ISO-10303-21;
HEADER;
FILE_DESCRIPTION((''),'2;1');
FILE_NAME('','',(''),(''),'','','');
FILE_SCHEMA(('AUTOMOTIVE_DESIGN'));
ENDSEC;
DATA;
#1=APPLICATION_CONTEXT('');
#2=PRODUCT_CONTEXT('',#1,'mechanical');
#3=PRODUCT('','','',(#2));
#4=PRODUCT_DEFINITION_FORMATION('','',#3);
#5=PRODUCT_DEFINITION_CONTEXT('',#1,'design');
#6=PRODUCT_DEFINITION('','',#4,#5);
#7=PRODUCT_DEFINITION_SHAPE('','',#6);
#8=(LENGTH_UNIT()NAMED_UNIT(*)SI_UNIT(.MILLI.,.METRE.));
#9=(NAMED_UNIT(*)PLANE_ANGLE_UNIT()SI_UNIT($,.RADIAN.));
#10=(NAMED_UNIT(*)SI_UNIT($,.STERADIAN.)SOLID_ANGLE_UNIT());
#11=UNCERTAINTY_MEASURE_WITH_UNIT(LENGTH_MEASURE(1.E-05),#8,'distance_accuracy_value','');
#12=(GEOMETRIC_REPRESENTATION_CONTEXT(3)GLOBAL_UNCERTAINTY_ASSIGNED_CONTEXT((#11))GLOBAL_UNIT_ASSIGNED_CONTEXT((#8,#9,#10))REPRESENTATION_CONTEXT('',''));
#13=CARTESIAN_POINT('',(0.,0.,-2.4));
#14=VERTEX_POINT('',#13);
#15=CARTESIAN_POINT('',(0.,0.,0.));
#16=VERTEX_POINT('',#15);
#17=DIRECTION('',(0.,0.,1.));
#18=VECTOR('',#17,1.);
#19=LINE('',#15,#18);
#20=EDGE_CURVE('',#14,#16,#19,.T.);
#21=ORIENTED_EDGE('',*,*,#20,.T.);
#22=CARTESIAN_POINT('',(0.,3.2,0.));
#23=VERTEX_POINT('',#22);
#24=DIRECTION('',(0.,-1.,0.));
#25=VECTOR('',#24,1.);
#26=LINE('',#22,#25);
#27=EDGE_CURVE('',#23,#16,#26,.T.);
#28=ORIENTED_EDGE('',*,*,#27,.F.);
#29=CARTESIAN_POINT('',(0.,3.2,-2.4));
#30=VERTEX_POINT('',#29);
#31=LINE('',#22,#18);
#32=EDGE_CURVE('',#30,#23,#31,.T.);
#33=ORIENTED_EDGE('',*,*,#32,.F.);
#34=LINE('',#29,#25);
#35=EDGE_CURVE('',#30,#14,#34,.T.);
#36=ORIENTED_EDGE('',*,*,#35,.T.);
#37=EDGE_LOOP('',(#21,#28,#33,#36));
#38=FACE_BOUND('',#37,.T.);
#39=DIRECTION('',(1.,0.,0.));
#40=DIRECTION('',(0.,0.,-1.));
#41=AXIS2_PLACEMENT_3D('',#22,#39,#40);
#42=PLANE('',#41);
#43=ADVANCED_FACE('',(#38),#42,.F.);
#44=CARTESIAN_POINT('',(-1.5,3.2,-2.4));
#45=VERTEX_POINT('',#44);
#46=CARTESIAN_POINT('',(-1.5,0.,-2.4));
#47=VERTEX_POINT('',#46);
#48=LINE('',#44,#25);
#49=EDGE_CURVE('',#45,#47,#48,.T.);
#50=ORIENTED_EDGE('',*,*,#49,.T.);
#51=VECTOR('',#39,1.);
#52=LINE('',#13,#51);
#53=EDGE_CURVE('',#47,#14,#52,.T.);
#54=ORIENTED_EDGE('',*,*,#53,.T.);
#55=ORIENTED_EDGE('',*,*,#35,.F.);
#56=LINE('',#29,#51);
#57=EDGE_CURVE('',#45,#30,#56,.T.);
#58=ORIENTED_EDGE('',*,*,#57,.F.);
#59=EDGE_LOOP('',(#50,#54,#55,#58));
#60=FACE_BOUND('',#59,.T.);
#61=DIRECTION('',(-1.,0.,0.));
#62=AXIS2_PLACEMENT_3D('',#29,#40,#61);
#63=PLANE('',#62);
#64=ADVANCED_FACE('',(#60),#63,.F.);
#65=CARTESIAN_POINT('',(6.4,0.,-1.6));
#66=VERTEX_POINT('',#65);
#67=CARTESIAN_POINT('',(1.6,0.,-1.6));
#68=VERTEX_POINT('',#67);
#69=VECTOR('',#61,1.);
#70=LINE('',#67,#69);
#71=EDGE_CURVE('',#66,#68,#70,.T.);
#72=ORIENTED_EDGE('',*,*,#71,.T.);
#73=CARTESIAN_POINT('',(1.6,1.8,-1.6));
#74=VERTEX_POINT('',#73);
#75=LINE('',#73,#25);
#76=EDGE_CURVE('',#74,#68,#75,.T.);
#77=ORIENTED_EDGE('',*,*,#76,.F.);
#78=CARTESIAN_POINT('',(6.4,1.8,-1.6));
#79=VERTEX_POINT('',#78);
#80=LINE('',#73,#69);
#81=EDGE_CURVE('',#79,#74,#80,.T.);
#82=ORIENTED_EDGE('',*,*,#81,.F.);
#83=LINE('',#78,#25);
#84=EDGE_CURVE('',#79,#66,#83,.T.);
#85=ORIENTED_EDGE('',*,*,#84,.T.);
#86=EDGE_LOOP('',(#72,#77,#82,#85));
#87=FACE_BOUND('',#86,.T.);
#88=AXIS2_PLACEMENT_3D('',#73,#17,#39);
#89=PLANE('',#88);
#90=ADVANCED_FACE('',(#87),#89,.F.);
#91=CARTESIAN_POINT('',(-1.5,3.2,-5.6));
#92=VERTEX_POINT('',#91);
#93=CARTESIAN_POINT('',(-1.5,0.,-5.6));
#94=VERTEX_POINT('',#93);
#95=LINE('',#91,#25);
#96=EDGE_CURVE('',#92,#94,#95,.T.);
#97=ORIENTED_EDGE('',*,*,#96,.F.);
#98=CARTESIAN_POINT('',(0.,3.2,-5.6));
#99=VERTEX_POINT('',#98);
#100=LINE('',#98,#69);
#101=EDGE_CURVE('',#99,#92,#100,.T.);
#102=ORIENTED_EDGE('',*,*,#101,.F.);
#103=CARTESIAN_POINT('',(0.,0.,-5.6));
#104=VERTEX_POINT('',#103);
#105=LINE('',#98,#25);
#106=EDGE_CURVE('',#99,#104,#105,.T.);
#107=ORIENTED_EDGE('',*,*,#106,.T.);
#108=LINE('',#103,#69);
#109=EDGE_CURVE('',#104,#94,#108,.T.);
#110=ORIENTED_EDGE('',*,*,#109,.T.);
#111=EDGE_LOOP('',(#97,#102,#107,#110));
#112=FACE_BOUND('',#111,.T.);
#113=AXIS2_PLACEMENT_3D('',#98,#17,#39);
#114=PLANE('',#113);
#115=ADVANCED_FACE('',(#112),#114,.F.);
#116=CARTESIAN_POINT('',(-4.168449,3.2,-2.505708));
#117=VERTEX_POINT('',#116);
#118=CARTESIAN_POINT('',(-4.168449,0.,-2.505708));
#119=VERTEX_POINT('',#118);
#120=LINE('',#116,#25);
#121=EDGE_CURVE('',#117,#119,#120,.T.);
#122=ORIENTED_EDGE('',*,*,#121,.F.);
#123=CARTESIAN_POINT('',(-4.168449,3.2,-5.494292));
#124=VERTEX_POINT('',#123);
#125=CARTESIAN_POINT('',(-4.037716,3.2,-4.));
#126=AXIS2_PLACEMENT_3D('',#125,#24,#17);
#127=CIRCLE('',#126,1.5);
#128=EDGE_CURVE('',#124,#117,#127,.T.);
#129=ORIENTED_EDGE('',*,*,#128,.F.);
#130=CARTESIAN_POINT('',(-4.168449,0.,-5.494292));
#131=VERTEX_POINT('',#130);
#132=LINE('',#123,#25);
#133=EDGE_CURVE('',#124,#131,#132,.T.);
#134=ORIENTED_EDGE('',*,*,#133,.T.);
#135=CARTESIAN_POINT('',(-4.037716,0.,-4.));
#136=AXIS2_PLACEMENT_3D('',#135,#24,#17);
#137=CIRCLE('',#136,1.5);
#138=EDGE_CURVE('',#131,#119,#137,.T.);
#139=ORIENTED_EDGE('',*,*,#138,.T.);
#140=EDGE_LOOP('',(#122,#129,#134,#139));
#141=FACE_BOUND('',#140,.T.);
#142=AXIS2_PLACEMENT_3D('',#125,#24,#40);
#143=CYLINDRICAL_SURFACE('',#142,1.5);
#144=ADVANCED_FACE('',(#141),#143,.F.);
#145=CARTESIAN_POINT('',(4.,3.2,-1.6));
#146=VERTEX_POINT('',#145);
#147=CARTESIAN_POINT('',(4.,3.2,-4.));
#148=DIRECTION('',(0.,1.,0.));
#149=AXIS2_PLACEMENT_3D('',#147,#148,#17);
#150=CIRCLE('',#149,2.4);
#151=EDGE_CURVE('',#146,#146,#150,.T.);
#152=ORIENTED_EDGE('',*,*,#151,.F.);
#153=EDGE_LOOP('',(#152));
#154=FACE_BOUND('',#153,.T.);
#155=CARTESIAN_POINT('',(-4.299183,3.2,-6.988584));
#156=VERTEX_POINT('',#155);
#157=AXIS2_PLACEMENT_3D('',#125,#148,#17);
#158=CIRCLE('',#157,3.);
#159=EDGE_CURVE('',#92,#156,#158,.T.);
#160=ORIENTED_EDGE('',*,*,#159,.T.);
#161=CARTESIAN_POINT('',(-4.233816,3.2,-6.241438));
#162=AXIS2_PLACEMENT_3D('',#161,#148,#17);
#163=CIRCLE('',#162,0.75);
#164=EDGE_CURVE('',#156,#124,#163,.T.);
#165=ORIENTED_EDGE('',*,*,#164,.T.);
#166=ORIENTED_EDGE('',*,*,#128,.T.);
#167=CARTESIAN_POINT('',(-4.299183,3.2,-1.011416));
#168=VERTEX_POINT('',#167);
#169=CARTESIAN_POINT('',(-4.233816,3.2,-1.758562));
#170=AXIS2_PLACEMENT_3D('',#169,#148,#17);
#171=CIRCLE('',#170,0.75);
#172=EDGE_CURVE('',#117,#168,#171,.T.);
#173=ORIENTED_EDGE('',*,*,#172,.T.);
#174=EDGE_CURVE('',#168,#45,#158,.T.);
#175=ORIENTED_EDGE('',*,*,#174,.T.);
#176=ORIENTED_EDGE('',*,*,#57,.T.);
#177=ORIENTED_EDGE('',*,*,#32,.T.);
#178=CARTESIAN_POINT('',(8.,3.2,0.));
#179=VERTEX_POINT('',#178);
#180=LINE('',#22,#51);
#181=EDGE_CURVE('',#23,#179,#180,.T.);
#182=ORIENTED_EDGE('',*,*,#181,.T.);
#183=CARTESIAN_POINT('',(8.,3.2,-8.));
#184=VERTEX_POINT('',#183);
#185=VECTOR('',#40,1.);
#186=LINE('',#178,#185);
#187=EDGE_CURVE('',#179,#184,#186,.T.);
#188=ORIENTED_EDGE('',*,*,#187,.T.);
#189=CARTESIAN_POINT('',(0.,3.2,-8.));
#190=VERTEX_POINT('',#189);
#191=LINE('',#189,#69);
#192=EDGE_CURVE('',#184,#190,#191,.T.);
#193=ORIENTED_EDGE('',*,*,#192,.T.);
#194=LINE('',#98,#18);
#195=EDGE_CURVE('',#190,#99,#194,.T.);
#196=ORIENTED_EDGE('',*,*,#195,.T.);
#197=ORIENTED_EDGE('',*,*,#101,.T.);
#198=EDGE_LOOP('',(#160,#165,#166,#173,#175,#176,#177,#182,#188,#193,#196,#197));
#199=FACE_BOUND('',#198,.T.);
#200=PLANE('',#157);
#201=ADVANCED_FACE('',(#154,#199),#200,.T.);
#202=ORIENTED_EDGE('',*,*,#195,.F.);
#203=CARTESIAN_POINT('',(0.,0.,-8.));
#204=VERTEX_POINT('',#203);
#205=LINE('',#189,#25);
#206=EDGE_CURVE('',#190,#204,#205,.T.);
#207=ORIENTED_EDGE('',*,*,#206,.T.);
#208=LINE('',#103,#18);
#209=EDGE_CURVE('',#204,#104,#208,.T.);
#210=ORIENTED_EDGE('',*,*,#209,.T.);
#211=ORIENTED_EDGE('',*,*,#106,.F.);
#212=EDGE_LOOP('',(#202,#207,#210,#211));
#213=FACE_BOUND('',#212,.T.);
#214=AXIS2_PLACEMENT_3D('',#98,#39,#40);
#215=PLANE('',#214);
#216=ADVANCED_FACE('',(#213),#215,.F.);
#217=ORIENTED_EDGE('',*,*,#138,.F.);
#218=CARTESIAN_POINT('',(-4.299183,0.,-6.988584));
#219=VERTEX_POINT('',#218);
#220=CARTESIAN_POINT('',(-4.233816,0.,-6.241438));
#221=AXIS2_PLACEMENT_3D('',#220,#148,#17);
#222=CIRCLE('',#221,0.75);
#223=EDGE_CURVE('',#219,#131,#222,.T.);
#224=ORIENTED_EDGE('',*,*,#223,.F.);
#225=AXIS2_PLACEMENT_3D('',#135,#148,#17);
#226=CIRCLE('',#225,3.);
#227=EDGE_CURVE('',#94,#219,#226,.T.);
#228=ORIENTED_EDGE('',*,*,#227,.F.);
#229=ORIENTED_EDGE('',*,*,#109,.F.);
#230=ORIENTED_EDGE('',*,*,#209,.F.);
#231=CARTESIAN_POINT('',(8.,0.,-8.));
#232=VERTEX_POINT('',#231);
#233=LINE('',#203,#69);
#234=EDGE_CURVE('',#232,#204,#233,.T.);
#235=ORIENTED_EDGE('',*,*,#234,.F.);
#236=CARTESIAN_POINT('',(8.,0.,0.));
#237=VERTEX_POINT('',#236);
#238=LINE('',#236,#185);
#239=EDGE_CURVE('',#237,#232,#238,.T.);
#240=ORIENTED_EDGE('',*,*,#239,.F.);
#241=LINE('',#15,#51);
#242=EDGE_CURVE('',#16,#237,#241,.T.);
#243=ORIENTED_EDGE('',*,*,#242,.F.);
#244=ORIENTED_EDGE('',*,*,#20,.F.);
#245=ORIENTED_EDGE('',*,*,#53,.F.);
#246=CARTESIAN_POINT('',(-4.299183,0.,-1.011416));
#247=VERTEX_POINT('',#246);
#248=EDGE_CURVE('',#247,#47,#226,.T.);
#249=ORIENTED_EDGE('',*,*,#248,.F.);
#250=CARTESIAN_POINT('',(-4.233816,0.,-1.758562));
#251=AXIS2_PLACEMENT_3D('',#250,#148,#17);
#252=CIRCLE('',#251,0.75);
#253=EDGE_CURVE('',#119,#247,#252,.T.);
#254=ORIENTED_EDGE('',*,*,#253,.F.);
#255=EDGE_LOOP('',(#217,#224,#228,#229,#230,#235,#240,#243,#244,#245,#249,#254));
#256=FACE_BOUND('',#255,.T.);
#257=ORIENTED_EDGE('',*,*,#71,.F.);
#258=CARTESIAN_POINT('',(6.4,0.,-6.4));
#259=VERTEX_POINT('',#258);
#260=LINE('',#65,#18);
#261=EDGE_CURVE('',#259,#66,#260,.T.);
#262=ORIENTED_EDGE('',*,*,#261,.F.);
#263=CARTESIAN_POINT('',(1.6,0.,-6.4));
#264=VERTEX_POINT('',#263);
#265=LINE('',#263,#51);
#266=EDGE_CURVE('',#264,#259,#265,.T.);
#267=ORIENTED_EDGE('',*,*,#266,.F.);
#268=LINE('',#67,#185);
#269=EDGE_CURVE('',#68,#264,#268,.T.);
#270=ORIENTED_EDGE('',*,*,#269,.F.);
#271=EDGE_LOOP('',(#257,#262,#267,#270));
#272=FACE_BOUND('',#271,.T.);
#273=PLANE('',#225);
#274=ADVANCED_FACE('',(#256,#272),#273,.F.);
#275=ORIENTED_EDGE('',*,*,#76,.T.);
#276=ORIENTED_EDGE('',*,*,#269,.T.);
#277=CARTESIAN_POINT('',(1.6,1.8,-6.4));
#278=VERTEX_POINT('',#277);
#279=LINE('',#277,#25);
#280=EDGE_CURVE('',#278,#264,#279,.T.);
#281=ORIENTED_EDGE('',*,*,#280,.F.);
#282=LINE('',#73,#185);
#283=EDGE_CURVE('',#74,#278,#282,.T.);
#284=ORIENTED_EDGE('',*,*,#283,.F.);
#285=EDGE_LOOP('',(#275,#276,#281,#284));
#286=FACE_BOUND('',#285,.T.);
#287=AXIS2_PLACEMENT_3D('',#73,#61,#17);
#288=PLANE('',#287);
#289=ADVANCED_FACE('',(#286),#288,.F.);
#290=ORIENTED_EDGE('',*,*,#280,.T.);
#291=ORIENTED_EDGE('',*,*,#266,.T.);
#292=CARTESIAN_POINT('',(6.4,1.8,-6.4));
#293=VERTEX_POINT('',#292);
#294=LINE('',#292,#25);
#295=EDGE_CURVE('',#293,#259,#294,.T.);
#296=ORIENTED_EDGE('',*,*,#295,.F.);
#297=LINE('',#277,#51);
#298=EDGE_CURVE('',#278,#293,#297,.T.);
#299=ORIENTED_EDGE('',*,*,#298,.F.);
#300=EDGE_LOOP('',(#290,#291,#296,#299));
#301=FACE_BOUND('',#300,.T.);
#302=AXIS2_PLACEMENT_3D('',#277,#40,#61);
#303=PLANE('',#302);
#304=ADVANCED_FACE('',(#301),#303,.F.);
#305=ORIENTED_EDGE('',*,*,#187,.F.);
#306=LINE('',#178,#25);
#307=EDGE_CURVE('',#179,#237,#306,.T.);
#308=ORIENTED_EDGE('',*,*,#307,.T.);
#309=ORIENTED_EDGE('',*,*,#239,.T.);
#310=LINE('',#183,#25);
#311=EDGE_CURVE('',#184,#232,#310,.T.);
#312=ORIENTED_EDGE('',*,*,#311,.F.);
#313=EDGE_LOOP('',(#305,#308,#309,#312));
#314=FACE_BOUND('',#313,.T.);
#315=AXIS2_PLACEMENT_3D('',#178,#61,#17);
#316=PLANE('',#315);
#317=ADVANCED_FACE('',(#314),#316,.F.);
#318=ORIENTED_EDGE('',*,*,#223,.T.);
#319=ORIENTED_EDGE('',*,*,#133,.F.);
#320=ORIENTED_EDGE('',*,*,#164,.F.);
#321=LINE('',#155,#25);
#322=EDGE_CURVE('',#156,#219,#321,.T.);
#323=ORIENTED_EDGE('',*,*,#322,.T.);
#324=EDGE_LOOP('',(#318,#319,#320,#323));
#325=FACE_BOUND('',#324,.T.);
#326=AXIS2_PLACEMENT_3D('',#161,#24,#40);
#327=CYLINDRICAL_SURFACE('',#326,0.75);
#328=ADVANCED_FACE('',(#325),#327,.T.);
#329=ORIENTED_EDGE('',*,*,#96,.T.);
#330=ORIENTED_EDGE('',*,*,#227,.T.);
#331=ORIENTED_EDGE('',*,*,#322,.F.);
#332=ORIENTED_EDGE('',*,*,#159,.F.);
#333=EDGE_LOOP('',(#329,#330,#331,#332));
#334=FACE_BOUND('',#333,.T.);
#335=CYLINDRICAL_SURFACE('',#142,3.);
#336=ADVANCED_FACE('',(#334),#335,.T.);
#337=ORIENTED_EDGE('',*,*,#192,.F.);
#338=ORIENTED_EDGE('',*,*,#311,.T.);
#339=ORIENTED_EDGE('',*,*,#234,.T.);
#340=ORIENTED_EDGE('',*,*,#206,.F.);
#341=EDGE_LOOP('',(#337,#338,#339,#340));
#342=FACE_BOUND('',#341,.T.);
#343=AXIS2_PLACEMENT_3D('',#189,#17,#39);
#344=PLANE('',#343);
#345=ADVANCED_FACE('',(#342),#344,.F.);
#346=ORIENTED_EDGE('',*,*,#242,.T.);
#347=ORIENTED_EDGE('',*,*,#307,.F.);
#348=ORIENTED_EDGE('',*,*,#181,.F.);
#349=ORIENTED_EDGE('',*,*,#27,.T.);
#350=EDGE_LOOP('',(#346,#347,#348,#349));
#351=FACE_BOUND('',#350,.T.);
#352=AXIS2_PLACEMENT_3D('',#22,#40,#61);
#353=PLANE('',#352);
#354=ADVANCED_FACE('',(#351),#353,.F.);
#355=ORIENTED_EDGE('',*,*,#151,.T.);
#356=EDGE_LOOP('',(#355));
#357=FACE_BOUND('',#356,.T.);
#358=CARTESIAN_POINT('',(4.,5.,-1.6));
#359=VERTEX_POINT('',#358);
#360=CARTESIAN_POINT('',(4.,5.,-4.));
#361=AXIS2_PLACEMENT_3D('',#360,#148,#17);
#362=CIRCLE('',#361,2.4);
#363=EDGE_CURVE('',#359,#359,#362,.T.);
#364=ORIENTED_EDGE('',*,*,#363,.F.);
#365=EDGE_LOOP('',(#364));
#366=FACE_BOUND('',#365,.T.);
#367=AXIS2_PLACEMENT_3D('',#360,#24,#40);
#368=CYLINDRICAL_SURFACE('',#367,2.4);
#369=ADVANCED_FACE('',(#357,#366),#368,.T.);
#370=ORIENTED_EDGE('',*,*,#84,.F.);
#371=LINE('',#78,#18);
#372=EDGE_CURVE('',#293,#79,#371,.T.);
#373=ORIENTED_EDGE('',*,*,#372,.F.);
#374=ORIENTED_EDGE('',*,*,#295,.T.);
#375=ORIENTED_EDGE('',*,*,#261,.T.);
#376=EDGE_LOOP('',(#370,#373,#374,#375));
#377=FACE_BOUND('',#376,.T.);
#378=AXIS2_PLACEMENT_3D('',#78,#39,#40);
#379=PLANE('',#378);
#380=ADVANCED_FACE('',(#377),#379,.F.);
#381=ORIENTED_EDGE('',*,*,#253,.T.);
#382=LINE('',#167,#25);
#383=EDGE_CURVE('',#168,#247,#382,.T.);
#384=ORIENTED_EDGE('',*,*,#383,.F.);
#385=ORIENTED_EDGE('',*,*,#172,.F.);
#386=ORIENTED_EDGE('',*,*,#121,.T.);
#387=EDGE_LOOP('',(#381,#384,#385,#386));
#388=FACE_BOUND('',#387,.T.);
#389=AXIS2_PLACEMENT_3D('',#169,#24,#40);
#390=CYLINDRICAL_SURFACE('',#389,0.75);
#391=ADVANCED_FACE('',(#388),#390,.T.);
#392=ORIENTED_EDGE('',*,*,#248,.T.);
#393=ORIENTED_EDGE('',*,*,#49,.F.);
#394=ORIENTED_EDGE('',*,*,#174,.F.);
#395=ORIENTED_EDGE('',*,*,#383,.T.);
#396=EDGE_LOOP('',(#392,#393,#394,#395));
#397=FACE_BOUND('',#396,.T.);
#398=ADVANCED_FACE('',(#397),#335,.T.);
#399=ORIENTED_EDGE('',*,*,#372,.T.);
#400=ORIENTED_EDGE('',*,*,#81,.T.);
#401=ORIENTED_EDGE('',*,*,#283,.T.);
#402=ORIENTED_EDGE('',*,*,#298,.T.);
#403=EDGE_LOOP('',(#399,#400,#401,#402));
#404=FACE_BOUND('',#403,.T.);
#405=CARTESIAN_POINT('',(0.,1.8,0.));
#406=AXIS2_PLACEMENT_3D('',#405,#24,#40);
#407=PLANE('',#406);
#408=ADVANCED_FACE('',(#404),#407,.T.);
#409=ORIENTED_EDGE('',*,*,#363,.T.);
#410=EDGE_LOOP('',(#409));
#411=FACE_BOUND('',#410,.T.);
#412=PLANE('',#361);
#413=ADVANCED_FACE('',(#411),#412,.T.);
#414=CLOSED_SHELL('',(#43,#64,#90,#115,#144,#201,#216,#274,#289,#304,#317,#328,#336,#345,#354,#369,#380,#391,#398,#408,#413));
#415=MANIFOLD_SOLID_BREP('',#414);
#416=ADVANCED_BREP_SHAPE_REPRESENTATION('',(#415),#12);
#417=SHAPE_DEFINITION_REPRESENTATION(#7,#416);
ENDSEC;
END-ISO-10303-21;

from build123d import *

# Parameters (mm, degrees)
BOSS_EXTRUDE1_DEPTH = 3.2
SKETCH2_R           = 2.4
BOSS_EXTRUDE2_DEPTH = 1.8
SKETCH3_W           = 4.8
SKETCH3_H           = 4.8
CUT_EXTRUDE1_DEPTH  = 1.8


with BuildPart() as part:
    # Sketch1 → Boss-Extrude1 (new body)
    with BuildSketch(Plane(origin=(0, 0, 0), x_dir=(1, 0, 0), z_dir=(0, 1, 0))):
        with BuildLine():
            Line((0, 2.4), (-1.5, 2.4))
            ThreePointArc((-1.5, 2.4), (-2.704535849, 1.312504512), (-4.299182736, 1.011415906))
            ThreePointArc((-4.299182736, 1.011415906), (-4.980961953, 1.823928736), (-4.168449122, 2.505707953))
            ThreePointArc((-4.168449122, 2.505707953), (-2.537715508, 4), (-4.168449122, 5.494292047))
            ThreePointArc((-4.168449122, 5.494292047), (-4.980961953, 6.176071264), (-4.299182736, 6.988584094))
            ThreePointArc((-4.299182736, 6.988584094), (-2.704535849, 6.687495488), (-1.5, 5.6))
            Line((-1.5, 5.6), (0, 5.6))
            Line((0, 5.6), (0, 8))
            Line((0, 8), (8, 8))
            Line((8, 8), (8, 0))
            Line((8, 0), (0, 0))
            Line((0, 0), (0, 2.4))
        make_face()
    extrude(amount=BOSS_EXTRUDE1_DEPTH)

    # Sketch2 → Boss-Extrude2 (add)
    with BuildSketch(Plane(origin=(0, 3.2, 0), x_dir=(1, 0, 0), z_dir=(0, 1, 0))):
        with Locations((4, 4)):
            Circle(SKETCH2_R)
    extrude(amount=BOSS_EXTRUDE2_DEPTH)

    # Sketch3 → Cut-Extrude1 (cut)
    with BuildSketch(Plane.XZ):
        with Locations((4, -4)):
            Rectangle(SKETCH3_W, SKETCH3_H)
    extrude(amount=-CUT_EXTRUDE1_DEPTH, mode=Mode.SUBTRACT)


solid = part.part
